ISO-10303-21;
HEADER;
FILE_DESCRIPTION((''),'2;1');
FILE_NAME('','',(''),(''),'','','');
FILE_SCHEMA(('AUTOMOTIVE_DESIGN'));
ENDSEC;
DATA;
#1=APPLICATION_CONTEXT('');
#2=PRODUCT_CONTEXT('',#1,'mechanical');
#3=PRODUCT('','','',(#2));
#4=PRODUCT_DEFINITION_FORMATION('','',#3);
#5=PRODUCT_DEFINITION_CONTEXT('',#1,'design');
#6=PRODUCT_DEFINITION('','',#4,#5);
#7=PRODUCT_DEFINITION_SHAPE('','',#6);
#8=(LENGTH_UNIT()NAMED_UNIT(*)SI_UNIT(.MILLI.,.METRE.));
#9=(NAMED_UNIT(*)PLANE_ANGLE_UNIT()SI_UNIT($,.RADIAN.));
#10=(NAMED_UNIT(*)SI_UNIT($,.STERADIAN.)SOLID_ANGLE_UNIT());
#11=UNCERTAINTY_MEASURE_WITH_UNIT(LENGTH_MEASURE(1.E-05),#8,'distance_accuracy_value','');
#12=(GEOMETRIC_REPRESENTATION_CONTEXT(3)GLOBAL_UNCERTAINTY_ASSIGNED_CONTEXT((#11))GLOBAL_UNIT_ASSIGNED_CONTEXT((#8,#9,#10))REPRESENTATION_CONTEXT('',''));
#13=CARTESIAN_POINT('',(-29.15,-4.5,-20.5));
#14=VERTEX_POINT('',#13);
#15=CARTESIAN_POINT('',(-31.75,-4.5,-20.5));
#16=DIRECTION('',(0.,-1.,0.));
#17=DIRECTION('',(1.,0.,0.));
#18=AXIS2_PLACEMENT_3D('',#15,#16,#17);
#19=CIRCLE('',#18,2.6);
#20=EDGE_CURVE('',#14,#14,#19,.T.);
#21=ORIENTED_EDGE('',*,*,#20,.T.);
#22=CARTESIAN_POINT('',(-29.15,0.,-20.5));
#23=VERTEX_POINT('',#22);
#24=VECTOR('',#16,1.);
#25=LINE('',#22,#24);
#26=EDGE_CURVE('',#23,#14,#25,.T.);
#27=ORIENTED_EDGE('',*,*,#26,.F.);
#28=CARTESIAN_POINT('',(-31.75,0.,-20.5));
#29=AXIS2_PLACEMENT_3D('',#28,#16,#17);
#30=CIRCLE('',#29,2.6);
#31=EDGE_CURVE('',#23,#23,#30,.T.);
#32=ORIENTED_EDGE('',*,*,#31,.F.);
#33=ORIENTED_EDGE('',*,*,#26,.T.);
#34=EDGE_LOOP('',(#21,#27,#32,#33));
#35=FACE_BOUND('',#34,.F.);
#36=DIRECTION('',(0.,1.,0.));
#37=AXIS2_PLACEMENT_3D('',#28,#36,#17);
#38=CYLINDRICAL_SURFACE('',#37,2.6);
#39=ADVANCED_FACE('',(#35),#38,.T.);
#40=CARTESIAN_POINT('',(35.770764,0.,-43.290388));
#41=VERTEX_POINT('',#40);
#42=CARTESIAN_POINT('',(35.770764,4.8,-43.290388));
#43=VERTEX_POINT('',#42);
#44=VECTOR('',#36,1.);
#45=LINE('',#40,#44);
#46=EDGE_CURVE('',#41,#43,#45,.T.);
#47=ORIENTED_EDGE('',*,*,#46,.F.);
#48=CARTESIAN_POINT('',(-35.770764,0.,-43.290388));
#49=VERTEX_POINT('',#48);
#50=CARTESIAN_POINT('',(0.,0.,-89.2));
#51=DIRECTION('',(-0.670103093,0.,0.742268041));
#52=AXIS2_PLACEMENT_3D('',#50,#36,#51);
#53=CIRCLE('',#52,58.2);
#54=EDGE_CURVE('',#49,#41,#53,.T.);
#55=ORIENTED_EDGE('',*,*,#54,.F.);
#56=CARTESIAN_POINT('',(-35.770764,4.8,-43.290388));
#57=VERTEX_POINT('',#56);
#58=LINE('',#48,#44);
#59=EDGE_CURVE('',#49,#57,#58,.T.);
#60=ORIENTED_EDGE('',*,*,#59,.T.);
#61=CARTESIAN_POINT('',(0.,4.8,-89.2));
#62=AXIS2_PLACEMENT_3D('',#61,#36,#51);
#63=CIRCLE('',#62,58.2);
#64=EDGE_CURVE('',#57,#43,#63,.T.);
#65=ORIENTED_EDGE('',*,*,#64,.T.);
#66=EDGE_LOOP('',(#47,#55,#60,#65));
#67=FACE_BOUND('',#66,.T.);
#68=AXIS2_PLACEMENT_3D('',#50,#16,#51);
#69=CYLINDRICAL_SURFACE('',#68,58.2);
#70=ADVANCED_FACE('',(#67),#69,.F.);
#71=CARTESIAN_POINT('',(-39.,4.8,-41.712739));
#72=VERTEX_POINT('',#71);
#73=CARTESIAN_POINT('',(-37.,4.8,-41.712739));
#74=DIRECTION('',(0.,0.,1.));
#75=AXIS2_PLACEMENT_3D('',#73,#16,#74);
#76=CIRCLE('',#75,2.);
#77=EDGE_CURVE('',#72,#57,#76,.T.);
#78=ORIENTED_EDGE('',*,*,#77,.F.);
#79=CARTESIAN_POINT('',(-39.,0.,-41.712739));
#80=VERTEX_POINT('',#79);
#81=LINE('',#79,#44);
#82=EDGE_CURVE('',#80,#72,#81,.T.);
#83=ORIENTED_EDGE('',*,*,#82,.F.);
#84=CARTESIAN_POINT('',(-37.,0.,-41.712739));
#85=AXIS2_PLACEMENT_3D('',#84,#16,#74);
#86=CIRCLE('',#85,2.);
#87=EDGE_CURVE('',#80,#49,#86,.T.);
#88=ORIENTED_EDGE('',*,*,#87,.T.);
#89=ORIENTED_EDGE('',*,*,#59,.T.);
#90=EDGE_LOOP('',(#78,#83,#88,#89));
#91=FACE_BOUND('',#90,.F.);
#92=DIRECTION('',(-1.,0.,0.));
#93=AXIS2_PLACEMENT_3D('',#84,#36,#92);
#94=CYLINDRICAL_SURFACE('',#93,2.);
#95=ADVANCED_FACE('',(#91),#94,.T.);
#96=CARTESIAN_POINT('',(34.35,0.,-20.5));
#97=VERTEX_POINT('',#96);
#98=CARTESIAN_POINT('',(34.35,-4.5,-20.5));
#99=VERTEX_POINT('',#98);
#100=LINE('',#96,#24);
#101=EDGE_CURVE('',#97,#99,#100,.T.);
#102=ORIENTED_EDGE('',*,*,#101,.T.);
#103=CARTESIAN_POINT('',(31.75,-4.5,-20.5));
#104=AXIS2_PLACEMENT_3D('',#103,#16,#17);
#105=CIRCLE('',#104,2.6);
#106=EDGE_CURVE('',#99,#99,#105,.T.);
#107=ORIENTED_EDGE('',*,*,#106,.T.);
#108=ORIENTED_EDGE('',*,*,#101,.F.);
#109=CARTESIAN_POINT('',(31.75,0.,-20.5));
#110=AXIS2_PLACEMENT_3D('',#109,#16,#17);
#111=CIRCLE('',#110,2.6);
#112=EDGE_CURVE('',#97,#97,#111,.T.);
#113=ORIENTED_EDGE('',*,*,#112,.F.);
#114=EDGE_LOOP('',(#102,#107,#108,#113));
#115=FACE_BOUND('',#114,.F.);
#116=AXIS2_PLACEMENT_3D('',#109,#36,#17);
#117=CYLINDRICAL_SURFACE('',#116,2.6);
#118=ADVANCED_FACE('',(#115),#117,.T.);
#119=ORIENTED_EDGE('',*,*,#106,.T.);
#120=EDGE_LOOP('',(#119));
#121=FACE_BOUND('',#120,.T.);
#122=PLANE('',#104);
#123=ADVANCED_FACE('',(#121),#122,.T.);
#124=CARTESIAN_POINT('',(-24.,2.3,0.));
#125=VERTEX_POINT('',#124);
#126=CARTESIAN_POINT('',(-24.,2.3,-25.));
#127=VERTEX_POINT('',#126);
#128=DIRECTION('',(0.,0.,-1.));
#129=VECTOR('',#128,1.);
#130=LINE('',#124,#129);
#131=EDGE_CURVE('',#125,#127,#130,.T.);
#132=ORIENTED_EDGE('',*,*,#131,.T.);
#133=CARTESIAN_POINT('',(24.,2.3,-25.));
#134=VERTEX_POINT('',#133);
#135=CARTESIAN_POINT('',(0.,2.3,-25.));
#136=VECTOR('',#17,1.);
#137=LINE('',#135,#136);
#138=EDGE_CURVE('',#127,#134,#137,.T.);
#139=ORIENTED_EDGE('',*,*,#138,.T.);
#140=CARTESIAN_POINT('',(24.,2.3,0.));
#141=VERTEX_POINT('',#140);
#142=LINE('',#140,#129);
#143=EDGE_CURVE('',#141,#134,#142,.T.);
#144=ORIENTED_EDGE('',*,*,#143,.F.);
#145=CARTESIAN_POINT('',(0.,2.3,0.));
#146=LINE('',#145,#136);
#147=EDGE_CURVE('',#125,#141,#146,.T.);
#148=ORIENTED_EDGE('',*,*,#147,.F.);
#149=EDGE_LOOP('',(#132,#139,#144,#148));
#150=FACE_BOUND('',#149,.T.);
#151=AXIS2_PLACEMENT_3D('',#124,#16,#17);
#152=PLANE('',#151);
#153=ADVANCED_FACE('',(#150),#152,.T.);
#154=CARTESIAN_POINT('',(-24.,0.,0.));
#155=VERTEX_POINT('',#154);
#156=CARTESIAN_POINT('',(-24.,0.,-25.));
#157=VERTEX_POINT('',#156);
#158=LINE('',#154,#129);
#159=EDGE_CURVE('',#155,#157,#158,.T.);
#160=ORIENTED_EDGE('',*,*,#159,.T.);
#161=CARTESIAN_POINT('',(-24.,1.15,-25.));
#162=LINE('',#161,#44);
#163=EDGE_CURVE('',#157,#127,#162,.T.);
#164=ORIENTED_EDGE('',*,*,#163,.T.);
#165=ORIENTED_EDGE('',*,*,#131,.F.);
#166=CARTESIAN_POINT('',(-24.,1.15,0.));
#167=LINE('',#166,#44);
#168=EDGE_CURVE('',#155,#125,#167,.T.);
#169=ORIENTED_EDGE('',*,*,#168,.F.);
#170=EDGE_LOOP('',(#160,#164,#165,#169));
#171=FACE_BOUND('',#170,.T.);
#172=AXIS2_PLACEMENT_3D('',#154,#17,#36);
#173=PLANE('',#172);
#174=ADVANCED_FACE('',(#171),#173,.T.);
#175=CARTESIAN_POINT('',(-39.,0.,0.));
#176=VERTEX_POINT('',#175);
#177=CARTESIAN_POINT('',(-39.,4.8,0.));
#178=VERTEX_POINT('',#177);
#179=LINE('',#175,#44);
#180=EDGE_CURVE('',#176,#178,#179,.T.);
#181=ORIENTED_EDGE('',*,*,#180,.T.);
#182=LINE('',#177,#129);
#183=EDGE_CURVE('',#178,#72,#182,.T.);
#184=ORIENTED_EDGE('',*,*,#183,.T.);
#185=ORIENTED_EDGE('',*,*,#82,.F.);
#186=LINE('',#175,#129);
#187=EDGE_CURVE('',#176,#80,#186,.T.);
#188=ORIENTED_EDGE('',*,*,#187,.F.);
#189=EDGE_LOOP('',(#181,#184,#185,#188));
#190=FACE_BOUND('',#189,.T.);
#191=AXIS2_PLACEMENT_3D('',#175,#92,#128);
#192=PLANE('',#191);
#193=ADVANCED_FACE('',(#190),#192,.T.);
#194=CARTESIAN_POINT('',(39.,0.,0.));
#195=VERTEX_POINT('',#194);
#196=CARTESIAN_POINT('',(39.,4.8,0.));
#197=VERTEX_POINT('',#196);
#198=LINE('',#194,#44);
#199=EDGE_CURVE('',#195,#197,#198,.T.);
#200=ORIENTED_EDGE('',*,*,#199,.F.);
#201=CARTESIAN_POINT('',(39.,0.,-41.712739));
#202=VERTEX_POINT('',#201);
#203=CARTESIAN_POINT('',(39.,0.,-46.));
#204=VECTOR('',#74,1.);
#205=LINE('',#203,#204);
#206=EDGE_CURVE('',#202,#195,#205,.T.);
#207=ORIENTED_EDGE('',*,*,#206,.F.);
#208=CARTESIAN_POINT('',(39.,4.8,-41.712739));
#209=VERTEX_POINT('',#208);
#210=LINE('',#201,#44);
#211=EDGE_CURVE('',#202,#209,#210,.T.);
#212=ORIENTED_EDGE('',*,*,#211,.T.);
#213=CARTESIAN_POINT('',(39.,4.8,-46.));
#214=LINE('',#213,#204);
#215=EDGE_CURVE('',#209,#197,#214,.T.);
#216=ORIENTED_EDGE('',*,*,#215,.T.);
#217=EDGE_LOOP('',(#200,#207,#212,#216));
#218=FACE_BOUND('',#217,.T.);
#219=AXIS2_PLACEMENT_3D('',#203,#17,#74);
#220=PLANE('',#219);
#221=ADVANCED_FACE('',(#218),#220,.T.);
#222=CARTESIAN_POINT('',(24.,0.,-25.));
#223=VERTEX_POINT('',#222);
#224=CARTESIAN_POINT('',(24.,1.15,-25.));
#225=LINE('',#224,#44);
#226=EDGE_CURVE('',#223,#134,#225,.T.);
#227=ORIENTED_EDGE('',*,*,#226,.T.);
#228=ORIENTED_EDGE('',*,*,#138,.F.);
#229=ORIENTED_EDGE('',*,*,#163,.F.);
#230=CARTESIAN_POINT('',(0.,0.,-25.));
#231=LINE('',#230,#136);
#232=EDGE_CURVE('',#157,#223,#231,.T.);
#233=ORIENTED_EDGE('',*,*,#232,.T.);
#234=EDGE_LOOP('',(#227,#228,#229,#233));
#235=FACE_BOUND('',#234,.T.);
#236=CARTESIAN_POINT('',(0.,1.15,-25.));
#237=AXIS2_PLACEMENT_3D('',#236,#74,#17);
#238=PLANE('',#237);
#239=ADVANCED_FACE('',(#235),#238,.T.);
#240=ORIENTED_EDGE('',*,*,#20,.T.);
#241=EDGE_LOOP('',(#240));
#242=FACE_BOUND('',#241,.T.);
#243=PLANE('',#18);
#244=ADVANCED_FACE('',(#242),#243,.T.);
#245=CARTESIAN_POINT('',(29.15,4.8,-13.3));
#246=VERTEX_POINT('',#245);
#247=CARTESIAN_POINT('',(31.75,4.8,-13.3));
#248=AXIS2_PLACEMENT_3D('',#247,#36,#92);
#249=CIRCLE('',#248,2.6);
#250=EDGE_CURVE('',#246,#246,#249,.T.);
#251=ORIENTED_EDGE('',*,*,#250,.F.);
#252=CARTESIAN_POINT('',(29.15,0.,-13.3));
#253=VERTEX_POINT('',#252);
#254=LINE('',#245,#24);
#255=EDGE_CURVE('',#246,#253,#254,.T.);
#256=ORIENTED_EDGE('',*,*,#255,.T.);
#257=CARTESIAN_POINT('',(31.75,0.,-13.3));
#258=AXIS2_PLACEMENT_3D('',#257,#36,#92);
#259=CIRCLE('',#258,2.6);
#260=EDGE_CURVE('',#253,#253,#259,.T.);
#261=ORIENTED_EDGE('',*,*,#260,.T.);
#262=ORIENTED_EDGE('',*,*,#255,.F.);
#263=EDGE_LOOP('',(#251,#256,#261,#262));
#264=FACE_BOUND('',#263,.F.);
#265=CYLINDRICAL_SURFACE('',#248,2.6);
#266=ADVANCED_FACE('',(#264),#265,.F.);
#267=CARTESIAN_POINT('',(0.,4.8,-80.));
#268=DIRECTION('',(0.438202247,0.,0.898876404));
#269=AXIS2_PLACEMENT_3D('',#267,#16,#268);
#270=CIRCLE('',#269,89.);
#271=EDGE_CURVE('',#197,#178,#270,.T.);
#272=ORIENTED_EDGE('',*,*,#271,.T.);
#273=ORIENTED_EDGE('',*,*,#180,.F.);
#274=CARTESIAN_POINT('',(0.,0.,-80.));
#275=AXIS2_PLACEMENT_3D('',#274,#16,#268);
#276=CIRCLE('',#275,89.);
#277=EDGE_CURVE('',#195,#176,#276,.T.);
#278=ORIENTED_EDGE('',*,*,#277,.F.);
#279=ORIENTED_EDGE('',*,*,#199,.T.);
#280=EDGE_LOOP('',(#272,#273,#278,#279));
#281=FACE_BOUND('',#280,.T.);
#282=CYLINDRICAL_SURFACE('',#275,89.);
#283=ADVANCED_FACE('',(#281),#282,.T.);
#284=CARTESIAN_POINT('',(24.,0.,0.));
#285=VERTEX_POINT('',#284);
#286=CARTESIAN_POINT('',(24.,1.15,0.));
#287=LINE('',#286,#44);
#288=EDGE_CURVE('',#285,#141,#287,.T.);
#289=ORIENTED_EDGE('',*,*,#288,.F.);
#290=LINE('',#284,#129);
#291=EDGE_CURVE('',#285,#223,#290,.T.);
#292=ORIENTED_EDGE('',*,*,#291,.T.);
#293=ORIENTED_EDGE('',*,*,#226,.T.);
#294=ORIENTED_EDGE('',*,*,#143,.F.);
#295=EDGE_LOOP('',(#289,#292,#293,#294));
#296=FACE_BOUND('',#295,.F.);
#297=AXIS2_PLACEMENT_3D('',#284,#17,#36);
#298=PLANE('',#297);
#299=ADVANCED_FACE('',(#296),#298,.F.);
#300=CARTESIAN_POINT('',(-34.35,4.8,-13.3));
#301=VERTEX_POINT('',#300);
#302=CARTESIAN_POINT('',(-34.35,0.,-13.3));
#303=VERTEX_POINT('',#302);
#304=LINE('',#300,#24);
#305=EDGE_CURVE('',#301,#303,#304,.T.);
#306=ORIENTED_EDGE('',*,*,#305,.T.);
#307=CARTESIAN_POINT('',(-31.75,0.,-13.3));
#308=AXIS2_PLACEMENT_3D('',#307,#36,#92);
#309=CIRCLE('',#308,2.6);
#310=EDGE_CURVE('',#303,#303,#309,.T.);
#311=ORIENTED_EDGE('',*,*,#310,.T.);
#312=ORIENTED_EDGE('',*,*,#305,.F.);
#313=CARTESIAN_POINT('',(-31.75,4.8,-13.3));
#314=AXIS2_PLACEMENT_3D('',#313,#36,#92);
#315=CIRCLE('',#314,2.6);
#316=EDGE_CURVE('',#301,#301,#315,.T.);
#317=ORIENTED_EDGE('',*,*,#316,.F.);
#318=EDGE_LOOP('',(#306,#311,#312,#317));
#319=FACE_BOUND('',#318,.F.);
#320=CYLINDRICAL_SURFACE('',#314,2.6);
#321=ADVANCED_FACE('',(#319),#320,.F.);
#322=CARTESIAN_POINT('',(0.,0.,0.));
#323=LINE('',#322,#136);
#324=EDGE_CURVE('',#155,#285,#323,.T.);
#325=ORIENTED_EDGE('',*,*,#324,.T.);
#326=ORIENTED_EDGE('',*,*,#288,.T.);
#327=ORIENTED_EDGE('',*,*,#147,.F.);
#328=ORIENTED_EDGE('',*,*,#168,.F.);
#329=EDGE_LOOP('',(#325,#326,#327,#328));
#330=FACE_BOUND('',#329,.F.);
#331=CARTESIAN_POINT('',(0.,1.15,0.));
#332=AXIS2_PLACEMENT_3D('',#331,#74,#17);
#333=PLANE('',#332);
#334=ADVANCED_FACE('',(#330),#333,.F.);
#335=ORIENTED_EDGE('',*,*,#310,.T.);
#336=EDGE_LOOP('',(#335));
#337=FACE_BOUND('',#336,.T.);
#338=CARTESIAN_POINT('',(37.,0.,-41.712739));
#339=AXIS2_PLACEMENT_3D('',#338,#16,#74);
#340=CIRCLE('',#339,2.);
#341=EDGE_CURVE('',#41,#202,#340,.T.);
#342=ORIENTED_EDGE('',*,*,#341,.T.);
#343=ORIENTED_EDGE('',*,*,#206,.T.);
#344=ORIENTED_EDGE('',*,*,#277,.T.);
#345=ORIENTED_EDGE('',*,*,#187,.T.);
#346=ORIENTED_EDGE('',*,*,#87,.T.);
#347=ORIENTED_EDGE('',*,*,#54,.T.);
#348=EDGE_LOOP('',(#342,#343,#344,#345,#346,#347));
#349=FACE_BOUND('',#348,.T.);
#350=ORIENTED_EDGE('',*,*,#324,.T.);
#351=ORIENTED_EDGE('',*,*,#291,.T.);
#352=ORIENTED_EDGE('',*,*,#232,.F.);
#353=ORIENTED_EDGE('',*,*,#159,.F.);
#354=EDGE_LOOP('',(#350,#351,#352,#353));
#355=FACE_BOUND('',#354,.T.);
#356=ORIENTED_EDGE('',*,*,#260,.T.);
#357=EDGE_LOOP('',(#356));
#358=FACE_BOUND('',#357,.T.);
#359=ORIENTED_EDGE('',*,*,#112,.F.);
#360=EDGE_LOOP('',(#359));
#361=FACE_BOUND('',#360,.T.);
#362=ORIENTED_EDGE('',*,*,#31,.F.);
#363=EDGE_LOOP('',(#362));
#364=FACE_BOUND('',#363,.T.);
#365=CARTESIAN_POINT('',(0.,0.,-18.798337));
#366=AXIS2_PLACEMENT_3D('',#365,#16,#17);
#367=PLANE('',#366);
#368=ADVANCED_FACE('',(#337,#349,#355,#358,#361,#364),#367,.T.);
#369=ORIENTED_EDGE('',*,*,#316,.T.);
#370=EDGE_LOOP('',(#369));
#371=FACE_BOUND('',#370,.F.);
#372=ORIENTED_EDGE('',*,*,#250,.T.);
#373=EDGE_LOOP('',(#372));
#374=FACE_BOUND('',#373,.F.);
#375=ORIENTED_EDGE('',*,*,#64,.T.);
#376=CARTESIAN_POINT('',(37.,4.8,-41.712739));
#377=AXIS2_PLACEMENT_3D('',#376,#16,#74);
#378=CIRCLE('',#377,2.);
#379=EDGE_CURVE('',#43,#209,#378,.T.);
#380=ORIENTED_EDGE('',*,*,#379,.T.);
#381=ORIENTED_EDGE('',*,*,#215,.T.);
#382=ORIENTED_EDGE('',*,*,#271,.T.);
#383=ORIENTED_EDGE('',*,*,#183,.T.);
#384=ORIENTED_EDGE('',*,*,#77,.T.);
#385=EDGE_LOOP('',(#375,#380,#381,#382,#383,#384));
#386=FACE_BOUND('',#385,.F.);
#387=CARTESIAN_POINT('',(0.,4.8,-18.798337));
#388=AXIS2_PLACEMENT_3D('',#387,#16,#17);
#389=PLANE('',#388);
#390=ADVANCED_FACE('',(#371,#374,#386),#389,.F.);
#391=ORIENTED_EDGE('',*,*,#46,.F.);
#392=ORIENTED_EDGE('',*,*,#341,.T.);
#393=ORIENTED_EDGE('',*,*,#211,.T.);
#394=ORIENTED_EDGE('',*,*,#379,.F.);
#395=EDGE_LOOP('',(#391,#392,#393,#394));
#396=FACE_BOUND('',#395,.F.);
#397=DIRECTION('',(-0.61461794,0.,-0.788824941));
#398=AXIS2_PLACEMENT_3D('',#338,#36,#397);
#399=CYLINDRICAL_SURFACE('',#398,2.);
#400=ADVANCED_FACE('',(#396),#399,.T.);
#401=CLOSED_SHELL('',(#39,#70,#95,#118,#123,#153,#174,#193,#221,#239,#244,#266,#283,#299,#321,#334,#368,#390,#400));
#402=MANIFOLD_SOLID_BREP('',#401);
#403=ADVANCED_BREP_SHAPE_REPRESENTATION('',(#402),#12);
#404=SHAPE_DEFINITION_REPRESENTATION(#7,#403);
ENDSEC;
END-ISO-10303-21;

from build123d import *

# Parameters (mm, degrees)
F1_DEPTH = 4.8
F2_R     = 2.6
F3_DEPTH = 4.5
F4_R     = 2.6
F5_DEPTH = 4.8
F6_R     = 2
F7_W     = 48
F7_H     = 2.3
F8_DEPTH = 25


with BuildPart() as f1:
    # F0 (on Front) → F1 (new body)
    with BuildSketch(Plane.XZ):
        with BuildLine():
            Line((-39, 0), (-39, -46))
            ThreePointArc((-39, -46), (0, -31), (39, -46))
            Line((39, -46), (39, 0))
            ThreePointArc((39, 0), (0, 9), (-39, 0))
        make_face()
    extrude(amount=-F1_DEPTH)

    # F2 (on face) → F3 (join)
    with BuildSketch(Plane.XZ):
        with Locations((-31.75, -20.5)):
            Circle(F2_R)
        with Locations((31.75, -20.5)):
            Circle(F2_R)
    extrude(amount=F3_DEPTH)

    # F4 (on face) → F5 (cut, through all)
    with BuildSketch(Plane(origin=(0, 4.8, 0), x_dir=(-1, 0, 0), z_dir=(0, 1, 0))):
        with Locations((-31.75, -13.3)):
            Circle(F4_R)
        with Locations((31.75, -13.3)):
            Circle(F4_R)
    extrude(amount=-F5_DEPTH, mode=Mode.SUBTRACT)

    # F6
    f6_edges = [f1.edges().sort_by_distance(p)[0] for p in [
        (-39, 2.4, -46),
        (39, 2.4, -46),
    ]]
    fillet(f6_edges, radius=F6_R)

    # F7 (on Top) → F8 (cut)
    with BuildSketch(Plane.XY):
        with Locations((0, 1.15)):
            Rectangle(F7_W, F7_H)
    extrude(amount=-F8_DEPTH, mode=Mode.SUBTRACT)


solid = f1.part
